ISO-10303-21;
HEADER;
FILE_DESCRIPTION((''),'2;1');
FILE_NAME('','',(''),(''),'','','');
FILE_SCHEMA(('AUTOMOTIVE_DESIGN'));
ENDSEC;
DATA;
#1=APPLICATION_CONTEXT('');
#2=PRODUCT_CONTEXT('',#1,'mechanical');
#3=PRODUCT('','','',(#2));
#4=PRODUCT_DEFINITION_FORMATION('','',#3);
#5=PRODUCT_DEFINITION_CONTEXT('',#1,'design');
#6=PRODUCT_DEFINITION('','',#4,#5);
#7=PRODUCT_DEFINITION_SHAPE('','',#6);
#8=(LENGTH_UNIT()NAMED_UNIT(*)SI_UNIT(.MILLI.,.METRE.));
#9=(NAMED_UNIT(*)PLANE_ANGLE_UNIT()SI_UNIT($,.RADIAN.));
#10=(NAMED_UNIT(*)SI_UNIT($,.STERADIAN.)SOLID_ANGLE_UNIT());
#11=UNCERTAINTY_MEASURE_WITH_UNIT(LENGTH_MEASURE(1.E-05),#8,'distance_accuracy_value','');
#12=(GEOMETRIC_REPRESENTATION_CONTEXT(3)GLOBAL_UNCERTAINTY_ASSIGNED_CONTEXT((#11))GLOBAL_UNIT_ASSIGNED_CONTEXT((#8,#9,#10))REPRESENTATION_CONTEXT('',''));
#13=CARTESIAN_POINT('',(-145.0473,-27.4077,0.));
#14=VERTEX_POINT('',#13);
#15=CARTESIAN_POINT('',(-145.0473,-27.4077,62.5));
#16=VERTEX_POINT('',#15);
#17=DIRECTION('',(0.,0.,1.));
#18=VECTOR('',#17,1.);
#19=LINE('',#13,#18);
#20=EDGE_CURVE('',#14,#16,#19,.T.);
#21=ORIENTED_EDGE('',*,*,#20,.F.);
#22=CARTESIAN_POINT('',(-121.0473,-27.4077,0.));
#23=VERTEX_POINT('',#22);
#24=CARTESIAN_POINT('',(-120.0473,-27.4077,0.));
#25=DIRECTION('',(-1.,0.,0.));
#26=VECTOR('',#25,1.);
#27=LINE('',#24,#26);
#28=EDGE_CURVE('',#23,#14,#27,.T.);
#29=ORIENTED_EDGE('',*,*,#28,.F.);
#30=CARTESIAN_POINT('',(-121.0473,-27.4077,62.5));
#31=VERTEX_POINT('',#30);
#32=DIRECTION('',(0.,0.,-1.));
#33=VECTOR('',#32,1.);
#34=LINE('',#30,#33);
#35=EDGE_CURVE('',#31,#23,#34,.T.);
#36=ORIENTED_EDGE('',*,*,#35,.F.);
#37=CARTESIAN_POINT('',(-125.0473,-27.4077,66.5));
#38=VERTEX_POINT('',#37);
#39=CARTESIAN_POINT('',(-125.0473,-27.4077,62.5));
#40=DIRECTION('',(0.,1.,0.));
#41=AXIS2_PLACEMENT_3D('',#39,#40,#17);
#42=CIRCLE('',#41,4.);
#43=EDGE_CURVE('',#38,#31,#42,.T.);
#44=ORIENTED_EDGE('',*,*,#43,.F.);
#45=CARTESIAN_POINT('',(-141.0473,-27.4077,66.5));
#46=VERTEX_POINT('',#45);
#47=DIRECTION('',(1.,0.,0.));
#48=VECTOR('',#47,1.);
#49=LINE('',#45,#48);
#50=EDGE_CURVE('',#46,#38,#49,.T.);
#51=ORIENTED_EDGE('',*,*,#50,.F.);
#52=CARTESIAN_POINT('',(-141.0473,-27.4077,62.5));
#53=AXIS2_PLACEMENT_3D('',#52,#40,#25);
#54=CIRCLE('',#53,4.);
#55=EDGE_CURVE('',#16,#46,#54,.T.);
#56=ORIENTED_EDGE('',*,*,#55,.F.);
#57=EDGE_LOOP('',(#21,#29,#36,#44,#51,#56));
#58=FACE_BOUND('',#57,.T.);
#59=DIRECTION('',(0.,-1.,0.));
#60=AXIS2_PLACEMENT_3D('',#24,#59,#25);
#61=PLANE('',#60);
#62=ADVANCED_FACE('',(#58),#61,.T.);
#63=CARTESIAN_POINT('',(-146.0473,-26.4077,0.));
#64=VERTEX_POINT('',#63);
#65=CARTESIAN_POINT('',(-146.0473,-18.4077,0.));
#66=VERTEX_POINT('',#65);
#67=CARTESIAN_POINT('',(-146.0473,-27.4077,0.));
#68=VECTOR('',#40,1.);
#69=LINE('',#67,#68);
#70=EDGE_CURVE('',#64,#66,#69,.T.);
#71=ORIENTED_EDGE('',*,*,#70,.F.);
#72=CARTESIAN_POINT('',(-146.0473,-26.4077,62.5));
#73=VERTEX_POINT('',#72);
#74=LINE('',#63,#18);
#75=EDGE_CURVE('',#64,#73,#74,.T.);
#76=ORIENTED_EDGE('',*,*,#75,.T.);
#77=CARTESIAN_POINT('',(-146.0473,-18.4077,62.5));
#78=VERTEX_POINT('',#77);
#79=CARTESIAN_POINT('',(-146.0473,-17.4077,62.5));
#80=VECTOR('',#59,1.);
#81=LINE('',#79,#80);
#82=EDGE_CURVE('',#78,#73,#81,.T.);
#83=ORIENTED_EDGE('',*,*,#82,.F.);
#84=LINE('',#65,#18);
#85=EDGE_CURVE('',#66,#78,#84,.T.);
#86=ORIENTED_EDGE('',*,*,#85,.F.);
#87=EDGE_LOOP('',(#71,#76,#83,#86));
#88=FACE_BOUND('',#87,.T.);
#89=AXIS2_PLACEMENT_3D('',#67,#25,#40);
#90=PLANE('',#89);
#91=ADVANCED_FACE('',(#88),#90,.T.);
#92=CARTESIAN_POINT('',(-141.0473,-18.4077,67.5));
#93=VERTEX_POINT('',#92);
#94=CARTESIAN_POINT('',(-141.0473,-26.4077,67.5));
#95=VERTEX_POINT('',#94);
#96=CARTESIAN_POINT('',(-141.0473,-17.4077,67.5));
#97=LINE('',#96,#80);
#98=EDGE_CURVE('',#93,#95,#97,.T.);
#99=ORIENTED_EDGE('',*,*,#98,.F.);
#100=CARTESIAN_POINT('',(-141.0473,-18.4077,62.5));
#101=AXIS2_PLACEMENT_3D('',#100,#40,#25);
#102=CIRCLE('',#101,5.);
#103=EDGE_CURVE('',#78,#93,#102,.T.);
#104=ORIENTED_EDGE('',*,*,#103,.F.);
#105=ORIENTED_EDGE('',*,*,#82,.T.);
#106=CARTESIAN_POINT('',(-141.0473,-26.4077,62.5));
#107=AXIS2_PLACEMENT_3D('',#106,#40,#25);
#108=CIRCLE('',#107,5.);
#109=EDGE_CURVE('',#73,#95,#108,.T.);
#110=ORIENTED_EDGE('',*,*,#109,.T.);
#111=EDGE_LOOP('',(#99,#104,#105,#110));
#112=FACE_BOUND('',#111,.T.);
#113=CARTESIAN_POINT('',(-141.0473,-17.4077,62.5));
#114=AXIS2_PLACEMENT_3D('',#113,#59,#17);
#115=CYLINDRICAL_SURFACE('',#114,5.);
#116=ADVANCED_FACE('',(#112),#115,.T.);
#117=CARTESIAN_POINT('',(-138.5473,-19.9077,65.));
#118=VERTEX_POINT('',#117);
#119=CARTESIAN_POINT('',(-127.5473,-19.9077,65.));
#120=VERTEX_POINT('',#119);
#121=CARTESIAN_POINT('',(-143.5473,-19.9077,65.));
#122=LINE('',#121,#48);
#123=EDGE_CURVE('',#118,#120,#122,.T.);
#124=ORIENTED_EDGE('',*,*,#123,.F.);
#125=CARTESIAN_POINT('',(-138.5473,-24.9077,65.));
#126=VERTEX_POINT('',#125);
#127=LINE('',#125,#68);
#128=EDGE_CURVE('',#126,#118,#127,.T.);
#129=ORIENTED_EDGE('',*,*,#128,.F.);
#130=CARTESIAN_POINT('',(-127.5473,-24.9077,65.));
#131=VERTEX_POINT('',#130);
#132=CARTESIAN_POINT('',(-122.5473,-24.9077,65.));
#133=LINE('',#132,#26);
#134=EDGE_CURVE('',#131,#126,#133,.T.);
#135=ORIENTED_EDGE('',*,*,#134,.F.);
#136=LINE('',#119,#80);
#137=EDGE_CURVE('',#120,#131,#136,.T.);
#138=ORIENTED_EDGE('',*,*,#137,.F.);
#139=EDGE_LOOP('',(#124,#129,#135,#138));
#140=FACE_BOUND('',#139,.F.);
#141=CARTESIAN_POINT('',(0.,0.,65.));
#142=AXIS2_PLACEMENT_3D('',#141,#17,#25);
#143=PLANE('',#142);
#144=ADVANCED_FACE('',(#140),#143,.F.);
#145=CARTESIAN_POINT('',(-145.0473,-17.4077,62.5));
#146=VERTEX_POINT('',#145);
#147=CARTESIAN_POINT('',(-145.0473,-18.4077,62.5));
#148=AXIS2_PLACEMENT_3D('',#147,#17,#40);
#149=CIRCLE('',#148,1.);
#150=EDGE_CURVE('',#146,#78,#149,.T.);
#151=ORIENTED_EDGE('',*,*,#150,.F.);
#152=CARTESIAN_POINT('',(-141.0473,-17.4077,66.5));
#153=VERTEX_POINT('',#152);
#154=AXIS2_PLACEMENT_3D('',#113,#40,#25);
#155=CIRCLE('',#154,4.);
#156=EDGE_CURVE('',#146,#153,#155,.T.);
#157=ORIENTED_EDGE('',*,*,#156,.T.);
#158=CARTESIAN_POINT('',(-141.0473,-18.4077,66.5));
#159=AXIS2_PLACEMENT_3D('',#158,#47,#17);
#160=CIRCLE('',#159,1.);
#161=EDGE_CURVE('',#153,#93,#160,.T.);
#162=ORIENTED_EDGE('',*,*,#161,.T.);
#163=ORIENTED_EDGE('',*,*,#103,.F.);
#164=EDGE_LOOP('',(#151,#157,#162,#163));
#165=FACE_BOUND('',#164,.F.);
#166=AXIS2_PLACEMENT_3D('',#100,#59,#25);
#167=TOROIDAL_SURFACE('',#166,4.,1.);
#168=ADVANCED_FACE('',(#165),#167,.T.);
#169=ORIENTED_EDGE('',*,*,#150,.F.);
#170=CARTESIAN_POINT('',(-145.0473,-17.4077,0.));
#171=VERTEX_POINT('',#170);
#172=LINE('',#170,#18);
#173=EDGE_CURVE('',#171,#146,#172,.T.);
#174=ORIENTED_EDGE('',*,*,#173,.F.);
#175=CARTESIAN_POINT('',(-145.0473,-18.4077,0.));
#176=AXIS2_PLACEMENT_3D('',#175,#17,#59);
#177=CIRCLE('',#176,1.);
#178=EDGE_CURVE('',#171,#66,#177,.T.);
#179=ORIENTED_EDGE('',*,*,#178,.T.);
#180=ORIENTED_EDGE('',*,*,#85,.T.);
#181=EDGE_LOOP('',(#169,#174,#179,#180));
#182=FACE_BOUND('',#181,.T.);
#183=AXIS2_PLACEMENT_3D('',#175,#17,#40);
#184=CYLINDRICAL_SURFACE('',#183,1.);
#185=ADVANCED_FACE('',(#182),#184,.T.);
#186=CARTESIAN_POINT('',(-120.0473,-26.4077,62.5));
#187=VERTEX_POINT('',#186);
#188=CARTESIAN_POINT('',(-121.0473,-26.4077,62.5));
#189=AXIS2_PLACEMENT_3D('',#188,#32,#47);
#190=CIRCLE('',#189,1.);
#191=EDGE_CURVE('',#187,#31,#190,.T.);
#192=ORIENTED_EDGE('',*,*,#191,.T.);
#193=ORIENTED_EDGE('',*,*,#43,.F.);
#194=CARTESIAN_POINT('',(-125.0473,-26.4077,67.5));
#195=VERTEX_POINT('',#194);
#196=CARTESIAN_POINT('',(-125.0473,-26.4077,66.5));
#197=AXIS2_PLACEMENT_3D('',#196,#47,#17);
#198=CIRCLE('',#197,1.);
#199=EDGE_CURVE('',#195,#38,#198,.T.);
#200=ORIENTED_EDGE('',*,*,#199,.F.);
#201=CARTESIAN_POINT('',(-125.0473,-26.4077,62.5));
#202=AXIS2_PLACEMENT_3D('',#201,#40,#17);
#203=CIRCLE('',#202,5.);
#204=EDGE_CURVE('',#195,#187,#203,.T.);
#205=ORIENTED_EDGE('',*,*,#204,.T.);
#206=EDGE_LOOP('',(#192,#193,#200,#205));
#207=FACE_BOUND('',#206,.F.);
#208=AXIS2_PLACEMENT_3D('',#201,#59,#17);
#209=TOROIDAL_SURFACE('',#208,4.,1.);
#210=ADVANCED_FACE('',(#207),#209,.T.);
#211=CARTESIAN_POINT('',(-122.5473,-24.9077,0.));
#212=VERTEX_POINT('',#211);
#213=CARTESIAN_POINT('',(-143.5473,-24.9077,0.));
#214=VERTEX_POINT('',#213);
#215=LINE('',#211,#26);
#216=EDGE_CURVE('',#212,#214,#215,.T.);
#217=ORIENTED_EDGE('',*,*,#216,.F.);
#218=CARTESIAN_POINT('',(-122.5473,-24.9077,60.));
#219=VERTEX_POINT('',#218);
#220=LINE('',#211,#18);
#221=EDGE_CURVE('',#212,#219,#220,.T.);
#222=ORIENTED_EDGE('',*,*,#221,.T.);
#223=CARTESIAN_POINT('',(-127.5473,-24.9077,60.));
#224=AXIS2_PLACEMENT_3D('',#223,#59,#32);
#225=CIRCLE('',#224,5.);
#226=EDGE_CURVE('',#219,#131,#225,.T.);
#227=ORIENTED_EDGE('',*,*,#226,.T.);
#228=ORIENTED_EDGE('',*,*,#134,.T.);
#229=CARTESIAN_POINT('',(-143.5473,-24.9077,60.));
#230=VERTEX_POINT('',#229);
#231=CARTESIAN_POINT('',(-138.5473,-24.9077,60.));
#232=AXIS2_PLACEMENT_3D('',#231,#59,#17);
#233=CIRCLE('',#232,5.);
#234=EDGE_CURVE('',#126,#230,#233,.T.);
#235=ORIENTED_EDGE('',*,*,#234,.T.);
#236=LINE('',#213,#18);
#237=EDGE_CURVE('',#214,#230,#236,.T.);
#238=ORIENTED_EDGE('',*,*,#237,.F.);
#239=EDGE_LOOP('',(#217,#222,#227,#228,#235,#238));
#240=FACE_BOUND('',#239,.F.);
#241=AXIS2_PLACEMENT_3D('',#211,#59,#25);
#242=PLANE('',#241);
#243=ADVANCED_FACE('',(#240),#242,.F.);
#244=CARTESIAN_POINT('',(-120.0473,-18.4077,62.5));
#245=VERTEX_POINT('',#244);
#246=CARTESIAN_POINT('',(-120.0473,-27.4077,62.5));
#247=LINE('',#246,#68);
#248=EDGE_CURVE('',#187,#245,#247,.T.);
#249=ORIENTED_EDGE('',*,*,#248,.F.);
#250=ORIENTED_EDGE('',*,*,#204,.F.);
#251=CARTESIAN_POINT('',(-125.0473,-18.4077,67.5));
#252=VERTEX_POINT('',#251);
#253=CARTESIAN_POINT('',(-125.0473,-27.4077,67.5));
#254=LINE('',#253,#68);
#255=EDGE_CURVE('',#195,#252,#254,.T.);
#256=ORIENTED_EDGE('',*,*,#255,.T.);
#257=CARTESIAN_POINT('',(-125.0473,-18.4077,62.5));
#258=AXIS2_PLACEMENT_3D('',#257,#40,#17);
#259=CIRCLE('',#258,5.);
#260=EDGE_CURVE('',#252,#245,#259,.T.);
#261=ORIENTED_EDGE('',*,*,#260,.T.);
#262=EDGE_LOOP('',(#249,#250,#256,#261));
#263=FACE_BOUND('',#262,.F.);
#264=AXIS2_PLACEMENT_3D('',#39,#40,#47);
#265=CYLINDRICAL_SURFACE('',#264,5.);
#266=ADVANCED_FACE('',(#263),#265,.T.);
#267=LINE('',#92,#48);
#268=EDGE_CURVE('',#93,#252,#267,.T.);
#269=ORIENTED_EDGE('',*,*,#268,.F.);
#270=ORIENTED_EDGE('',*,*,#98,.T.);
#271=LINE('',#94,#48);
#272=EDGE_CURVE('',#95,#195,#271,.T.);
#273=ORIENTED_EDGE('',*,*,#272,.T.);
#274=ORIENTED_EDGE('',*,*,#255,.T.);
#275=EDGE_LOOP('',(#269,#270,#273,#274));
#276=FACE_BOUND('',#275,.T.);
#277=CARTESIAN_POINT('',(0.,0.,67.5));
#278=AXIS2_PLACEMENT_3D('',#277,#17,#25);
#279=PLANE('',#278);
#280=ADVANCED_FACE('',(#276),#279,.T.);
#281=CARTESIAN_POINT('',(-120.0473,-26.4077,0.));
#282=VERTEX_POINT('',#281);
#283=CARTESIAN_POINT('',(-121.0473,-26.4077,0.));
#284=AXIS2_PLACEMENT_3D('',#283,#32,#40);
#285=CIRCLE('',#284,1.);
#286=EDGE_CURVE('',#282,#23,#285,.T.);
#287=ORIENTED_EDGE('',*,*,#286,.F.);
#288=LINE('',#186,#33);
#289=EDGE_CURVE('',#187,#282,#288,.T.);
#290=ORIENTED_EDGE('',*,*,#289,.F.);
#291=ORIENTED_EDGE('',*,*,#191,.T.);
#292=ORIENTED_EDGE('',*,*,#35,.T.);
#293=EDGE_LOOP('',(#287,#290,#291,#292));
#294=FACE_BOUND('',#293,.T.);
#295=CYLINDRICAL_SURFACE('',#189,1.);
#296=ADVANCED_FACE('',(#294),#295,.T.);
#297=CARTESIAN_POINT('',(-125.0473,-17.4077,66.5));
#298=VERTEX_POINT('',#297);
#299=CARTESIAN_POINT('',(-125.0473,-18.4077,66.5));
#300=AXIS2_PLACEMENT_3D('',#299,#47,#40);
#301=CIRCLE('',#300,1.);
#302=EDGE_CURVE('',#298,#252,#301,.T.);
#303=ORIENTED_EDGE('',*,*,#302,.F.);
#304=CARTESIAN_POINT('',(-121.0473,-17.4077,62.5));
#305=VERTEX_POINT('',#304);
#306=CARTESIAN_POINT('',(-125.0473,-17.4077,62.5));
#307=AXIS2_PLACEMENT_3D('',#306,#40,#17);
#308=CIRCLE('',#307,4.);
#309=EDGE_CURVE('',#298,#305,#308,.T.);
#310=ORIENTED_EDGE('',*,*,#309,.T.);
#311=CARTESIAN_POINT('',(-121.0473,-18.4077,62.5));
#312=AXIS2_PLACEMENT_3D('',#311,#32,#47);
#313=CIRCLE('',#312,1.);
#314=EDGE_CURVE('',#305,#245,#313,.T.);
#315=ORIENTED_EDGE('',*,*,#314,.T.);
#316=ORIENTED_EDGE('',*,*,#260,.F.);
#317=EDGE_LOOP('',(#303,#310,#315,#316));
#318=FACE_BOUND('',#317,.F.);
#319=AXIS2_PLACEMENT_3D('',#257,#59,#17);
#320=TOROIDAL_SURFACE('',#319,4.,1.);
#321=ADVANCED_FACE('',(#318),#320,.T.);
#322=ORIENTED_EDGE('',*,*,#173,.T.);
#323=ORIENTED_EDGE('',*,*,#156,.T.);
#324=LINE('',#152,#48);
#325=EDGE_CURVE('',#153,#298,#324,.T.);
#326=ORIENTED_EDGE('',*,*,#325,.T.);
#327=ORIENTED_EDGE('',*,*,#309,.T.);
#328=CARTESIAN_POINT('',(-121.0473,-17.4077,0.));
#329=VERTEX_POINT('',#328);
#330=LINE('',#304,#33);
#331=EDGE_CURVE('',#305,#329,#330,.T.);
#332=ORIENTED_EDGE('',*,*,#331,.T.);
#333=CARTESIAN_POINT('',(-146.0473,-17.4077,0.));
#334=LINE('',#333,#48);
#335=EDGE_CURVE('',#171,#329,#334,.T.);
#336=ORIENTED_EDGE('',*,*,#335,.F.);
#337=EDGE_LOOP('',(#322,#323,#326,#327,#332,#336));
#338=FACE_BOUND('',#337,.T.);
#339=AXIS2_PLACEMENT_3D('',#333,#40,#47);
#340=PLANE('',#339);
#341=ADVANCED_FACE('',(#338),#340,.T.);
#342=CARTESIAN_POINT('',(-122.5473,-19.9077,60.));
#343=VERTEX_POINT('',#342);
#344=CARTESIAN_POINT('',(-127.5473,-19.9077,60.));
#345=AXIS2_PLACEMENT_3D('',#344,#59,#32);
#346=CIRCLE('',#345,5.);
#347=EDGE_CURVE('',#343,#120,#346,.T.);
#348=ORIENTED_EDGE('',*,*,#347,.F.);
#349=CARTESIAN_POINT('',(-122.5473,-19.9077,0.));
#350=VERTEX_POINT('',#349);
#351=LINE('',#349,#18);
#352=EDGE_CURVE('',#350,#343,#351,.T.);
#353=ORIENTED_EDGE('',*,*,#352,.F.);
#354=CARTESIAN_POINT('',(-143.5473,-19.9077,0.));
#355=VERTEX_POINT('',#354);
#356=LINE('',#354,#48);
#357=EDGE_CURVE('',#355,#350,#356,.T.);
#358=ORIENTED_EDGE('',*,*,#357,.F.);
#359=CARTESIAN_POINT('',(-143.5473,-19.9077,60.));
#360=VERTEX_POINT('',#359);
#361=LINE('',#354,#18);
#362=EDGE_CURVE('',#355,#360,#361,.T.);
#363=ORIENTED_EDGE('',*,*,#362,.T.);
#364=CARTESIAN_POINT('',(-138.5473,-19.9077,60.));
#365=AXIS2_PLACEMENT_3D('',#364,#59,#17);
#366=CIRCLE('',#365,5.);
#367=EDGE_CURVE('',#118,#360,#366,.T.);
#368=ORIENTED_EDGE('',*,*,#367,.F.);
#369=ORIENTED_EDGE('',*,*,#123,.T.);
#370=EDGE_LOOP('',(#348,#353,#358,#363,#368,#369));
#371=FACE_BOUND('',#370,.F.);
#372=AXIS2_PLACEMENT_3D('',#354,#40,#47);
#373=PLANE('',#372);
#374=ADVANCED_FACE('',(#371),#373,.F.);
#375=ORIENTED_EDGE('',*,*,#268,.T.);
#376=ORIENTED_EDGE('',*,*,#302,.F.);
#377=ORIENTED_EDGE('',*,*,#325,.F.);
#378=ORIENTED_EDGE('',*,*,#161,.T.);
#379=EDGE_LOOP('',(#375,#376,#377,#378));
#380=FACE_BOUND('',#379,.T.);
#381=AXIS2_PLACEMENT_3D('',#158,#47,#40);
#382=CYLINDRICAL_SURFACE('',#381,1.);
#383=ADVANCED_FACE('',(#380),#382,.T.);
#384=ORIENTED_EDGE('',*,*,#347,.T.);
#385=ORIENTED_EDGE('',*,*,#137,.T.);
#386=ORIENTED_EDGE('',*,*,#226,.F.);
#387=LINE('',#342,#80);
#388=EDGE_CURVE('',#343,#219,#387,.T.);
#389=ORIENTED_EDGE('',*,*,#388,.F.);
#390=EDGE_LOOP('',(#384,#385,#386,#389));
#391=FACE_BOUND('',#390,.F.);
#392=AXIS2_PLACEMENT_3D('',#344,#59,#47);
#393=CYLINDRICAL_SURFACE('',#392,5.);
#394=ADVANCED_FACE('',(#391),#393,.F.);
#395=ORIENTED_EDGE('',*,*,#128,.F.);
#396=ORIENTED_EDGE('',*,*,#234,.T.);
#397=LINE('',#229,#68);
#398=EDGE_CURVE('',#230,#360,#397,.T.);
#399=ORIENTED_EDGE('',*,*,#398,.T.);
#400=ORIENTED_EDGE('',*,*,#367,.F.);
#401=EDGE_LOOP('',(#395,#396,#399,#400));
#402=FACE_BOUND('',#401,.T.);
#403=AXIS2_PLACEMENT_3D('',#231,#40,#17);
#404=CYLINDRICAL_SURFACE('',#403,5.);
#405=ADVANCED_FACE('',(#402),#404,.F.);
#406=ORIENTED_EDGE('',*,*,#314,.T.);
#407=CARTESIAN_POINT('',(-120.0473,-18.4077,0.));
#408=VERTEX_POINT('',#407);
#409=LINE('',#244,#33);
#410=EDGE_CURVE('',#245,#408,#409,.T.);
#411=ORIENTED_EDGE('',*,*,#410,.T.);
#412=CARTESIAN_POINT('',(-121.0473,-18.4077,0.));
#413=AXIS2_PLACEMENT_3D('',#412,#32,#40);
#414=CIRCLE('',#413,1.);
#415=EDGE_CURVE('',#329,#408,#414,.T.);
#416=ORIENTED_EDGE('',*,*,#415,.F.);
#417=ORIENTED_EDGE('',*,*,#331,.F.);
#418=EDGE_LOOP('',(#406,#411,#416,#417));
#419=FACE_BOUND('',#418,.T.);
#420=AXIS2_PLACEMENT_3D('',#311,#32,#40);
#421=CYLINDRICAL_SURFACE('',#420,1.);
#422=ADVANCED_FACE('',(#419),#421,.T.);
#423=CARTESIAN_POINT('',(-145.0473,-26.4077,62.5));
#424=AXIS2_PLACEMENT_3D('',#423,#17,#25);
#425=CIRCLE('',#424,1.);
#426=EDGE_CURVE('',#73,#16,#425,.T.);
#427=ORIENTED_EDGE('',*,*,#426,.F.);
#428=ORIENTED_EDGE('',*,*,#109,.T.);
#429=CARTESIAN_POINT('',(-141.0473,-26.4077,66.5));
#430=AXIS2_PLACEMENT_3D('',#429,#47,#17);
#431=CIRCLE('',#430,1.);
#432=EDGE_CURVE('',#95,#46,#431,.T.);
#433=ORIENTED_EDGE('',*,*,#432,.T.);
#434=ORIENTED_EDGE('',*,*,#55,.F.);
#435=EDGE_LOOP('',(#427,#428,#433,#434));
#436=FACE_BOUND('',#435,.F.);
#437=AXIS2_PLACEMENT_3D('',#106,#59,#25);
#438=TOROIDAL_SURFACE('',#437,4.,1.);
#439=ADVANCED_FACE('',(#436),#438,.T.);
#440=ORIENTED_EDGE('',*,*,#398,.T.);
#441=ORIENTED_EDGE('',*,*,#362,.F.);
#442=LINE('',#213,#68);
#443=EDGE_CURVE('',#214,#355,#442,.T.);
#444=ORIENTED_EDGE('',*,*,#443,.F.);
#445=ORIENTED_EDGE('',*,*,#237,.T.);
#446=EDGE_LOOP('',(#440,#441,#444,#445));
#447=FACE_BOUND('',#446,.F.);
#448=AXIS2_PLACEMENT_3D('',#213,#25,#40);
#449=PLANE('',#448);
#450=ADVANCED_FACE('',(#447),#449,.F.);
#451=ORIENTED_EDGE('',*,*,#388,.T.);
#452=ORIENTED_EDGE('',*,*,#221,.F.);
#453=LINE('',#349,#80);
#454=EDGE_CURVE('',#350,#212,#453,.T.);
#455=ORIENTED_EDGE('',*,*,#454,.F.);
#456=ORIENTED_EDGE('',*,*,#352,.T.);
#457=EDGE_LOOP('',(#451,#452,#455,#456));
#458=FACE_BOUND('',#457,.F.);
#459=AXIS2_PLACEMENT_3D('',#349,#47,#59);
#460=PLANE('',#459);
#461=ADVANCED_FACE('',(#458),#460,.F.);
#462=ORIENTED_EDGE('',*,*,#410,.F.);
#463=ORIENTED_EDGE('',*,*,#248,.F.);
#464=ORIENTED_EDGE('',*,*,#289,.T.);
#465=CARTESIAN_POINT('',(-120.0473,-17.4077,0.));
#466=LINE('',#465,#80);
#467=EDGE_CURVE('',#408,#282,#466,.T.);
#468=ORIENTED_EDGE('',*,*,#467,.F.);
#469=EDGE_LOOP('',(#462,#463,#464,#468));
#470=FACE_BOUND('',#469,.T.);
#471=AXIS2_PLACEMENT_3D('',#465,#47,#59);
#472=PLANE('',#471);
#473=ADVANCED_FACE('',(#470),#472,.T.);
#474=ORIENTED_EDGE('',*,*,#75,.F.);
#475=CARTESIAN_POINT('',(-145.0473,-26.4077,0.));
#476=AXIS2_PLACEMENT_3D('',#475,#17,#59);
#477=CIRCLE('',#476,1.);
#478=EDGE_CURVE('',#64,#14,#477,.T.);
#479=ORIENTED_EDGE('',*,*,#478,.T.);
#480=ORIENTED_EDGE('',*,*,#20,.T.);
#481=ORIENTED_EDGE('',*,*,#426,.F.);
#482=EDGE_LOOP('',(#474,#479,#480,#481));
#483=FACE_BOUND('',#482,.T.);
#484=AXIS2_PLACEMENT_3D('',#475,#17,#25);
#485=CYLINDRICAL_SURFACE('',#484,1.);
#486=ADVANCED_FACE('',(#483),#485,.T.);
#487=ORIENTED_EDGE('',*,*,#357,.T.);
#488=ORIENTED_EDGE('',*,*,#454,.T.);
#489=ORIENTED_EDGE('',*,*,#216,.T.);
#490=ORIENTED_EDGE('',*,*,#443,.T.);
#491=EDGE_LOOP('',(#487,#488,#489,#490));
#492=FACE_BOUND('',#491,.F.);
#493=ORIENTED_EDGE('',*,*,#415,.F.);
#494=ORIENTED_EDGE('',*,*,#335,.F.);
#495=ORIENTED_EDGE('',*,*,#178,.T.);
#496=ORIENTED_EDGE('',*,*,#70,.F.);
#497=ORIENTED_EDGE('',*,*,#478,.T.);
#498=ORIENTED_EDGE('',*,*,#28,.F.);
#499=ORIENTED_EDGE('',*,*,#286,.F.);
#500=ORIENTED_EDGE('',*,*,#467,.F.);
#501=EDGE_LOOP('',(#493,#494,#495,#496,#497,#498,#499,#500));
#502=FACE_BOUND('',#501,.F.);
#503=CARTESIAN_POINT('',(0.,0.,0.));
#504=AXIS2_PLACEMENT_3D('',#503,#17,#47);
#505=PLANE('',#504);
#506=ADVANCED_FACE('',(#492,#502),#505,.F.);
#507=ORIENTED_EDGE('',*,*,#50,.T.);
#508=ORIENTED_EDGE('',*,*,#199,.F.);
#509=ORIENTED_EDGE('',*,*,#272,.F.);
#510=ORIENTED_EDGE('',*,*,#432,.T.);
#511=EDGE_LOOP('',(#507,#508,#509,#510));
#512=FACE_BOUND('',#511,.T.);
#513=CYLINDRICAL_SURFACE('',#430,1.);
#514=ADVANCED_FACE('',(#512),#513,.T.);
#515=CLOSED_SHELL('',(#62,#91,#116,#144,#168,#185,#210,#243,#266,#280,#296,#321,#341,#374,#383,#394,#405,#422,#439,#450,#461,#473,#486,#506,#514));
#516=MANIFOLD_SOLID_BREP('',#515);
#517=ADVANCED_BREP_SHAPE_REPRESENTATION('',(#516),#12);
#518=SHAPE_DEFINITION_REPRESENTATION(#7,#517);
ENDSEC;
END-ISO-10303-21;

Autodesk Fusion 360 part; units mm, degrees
sketch "草图1" plane through (0, 0, 0) normal (0, 0, 1) x (1, 0, 0)
  line L0 (-122.5473, -24.9077) -> (-143.5473, -24.9077)
  line L1 (-143.5473, -24.9077) -> (-143.5473, -19.9077)
  line L2 (-143.5473, -19.9077) -> (-122.5473, -19.9077)
  line L3 (-122.5473, -19.9077) -> (-122.5473, -24.9077)
  line L4 (-146.0473, -17.4077) -> (-120.0473, -17.4077)
  line L5 (-120.0473, -17.4077) -> (-120.0473, -27.4077)
  line L6 (-120.0473, -27.4077) -> (-146.0473, -27.4077)
  line L7 (-146.0473, -27.4077) -> (-146.0473, -17.4077)
  line L8 (-146.0473, -17.4077) -> (-120.0473, -27.4077) construction
  line L9 (-120.0473, -17.4077) -> (-146.0473, -27.4077) construction
  point P0 (-133.0473, -22.4077)
  dimension "d1" = 21
  dimension "d2" = 5
  dimension "d3" = 26
  dimension "d4" = 10
extrude "拉伸1" add sketch "草图1" along normal blind 65
sketch "草图2" plane through (0, 0, 65) normal (0, 0, 1) x (-1, 0, 0)
  line L0 (143.5473, 19.9077) -> (122.5473, 19.9077)
  line L1 (122.5473, 19.9077) -> (122.5473, 24.9077)
  line L2 (122.5473, 24.9077) -> (143.5473, 24.9077)
  line L3 (143.5473, 24.9077) -> (143.5473, 19.9077)
  line L4 (146.0473, 27.4077) -> (120.0473, 27.4077)
  line L5 (120.0473, 27.4077) -> (120.0473, 17.4077)
  line L6 (120.0473, 17.4077) -> (146.0473, 17.4077)
  line L7 (146.0473, 17.4077) -> (146.0473, 27.4077)
  line L8 (120.0473, 27.4077) -> (146.0473, 27.4077)
  line L9 (146.0473, 27.4077) -> (146.0473, 17.4077)
  line L10 (146.0473, 17.4077) -> (120.0473, 17.4077)
  line L11 (120.0473, 17.4077) -> (120.0473, 27.4077)
extrude "拉伸2" add sketch "草图2" along normal blind 2.5 contours L0 L1 L2 L3 | L4 L5 L6 L7 L8 L9 L10 L11
fillet "圆角1" radius 5 1 edges at (-122.5473, -22.4077, 65)
fillet "圆角2" radius 5 1 edges at (-143.5473, -22.4077, 65)
fillet "圆角3" radius 5 1 edges at (-120.0473, -22.4077, 67.5)
fillet "圆角4" radius 5 1 edges at (-146.0473, -22.4077, 67.5)
fillet "圆角5" radius 1 5 edges at (-120.0473, -17.4077, 31.25) (-121.5118, -17.4077, 66.0355) (-133.0473, -17.4077, 67.5) (-144.5829, -17.4077, 66.0355) (-146.0473, -17.4077, 31.25)
fillet "圆角6" radius 1 5 edges at (-146.0473, -27.4077, 31.25) (-144.5829, -27.4077, 66.0355) (-133.0473, -27.4077, 67.5) (-121.5118, -27.4077, 66.0355) (-120.0473, -27.4077, 31.25)
